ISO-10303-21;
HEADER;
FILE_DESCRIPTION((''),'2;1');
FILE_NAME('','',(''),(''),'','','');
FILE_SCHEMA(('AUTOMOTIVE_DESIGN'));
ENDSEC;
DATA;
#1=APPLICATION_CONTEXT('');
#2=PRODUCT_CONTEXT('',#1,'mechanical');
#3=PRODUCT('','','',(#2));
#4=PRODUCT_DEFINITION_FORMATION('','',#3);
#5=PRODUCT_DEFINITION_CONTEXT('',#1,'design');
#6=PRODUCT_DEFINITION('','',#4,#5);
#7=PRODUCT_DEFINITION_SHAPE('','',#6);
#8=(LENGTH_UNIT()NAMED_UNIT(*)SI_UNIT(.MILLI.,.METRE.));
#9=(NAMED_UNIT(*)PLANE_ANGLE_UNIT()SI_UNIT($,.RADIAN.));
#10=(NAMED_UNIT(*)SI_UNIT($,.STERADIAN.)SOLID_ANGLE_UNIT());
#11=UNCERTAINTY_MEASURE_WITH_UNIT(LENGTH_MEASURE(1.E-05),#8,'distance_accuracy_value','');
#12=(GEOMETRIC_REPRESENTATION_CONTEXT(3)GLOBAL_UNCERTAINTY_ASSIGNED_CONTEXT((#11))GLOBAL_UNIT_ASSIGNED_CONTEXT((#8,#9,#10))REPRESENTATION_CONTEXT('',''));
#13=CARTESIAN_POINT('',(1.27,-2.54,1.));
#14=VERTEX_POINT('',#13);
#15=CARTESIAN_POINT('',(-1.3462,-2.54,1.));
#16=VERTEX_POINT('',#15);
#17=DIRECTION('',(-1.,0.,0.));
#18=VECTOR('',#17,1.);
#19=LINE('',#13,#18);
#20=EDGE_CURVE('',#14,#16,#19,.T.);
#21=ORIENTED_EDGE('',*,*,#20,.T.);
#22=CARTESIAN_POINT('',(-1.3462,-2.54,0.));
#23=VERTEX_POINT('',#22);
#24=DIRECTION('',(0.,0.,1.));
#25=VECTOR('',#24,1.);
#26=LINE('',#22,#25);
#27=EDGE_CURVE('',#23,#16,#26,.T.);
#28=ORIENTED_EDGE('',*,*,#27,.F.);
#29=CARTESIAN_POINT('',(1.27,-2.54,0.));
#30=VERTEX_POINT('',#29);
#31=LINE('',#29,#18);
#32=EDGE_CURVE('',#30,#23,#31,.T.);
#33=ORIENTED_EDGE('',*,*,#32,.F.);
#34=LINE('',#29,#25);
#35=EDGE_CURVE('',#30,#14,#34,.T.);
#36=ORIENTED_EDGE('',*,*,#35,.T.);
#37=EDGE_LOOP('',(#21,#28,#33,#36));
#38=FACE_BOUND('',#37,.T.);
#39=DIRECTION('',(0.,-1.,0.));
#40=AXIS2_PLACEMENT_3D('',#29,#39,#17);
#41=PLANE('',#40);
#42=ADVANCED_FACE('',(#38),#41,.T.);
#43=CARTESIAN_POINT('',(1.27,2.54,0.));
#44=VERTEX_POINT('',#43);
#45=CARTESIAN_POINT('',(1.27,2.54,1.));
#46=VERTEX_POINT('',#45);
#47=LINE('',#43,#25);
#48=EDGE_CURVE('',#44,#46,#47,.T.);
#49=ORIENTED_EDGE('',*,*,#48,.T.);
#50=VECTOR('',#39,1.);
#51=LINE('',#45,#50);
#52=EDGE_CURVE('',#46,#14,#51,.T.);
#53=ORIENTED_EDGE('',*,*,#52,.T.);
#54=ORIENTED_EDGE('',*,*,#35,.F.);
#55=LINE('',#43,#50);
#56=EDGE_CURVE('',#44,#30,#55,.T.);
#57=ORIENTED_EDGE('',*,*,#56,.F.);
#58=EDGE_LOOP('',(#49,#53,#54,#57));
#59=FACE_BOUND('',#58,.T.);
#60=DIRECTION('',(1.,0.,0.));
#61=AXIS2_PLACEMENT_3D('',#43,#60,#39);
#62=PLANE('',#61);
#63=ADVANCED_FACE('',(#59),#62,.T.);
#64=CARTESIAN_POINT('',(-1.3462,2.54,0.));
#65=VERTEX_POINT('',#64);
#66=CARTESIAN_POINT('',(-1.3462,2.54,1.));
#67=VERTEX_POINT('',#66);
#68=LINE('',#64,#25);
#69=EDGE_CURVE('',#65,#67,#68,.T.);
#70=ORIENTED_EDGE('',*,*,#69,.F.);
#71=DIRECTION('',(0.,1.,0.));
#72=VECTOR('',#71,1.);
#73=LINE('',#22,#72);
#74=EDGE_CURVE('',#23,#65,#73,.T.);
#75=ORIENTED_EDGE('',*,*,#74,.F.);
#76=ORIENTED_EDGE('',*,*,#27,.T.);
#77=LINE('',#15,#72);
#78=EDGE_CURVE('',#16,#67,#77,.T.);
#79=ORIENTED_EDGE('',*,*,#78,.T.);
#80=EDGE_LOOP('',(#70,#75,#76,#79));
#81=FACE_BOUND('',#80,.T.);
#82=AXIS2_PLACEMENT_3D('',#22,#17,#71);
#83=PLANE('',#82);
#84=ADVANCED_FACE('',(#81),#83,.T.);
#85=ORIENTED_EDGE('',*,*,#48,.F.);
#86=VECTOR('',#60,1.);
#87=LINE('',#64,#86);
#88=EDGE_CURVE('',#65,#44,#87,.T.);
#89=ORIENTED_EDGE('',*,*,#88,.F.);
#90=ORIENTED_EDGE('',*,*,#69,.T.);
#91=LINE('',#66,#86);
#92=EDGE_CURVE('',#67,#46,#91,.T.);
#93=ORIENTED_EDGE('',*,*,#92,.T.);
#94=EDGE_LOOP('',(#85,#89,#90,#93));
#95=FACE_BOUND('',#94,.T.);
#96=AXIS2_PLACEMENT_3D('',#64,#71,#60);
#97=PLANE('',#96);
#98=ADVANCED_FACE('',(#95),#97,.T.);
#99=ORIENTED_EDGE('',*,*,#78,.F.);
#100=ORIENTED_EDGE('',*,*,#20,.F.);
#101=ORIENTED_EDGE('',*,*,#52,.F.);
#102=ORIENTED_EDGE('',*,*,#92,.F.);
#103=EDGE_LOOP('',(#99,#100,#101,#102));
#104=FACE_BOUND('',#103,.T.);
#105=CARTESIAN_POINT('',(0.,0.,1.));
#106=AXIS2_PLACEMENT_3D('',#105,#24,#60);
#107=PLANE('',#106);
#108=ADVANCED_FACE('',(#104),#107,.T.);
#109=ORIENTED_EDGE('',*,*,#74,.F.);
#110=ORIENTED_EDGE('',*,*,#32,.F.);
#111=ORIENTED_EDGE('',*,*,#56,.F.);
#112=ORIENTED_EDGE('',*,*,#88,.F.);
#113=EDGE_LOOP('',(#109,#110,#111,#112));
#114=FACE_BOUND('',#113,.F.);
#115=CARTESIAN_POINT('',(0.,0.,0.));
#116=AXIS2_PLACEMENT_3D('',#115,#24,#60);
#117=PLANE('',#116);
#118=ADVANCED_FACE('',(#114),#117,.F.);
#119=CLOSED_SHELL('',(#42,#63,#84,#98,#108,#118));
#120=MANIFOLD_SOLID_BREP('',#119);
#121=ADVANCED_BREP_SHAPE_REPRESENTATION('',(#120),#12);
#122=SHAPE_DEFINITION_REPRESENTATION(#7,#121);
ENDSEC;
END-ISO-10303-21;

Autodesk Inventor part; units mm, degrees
ref_plane "YZ Plane" through (0, 0, 0) normal (1, 0, 0) x (0, 1, 0)
ref_plane "XZ Plane" through (0, 0, 0) normal (0, 1, 0) x (-1, 0, 0)
ref_plane "XY Plane" through (0, 0, 0) normal (0, 0, 1) x (1, 0, 0)
sketch "JP1M, _3V3_61" plane through (0, 0, 0) normal (0, 0, 1) x (1, 0, 0)
  line L0 (-1.3462, 2.54) -> (1.27, 2.54)
  line L1 (1.27, 2.54) -> (1.27, -2.54)
  line L2 (1.27, -2.54) -> (-1.3462, -2.54)
  line L3 (-1.3462, -2.54) -> (-1.3462, 2.54)
extrude "Extrusion1" add sketch "JP1M, _3V3_61" along normal blind 1
properties part number "_3V3"
